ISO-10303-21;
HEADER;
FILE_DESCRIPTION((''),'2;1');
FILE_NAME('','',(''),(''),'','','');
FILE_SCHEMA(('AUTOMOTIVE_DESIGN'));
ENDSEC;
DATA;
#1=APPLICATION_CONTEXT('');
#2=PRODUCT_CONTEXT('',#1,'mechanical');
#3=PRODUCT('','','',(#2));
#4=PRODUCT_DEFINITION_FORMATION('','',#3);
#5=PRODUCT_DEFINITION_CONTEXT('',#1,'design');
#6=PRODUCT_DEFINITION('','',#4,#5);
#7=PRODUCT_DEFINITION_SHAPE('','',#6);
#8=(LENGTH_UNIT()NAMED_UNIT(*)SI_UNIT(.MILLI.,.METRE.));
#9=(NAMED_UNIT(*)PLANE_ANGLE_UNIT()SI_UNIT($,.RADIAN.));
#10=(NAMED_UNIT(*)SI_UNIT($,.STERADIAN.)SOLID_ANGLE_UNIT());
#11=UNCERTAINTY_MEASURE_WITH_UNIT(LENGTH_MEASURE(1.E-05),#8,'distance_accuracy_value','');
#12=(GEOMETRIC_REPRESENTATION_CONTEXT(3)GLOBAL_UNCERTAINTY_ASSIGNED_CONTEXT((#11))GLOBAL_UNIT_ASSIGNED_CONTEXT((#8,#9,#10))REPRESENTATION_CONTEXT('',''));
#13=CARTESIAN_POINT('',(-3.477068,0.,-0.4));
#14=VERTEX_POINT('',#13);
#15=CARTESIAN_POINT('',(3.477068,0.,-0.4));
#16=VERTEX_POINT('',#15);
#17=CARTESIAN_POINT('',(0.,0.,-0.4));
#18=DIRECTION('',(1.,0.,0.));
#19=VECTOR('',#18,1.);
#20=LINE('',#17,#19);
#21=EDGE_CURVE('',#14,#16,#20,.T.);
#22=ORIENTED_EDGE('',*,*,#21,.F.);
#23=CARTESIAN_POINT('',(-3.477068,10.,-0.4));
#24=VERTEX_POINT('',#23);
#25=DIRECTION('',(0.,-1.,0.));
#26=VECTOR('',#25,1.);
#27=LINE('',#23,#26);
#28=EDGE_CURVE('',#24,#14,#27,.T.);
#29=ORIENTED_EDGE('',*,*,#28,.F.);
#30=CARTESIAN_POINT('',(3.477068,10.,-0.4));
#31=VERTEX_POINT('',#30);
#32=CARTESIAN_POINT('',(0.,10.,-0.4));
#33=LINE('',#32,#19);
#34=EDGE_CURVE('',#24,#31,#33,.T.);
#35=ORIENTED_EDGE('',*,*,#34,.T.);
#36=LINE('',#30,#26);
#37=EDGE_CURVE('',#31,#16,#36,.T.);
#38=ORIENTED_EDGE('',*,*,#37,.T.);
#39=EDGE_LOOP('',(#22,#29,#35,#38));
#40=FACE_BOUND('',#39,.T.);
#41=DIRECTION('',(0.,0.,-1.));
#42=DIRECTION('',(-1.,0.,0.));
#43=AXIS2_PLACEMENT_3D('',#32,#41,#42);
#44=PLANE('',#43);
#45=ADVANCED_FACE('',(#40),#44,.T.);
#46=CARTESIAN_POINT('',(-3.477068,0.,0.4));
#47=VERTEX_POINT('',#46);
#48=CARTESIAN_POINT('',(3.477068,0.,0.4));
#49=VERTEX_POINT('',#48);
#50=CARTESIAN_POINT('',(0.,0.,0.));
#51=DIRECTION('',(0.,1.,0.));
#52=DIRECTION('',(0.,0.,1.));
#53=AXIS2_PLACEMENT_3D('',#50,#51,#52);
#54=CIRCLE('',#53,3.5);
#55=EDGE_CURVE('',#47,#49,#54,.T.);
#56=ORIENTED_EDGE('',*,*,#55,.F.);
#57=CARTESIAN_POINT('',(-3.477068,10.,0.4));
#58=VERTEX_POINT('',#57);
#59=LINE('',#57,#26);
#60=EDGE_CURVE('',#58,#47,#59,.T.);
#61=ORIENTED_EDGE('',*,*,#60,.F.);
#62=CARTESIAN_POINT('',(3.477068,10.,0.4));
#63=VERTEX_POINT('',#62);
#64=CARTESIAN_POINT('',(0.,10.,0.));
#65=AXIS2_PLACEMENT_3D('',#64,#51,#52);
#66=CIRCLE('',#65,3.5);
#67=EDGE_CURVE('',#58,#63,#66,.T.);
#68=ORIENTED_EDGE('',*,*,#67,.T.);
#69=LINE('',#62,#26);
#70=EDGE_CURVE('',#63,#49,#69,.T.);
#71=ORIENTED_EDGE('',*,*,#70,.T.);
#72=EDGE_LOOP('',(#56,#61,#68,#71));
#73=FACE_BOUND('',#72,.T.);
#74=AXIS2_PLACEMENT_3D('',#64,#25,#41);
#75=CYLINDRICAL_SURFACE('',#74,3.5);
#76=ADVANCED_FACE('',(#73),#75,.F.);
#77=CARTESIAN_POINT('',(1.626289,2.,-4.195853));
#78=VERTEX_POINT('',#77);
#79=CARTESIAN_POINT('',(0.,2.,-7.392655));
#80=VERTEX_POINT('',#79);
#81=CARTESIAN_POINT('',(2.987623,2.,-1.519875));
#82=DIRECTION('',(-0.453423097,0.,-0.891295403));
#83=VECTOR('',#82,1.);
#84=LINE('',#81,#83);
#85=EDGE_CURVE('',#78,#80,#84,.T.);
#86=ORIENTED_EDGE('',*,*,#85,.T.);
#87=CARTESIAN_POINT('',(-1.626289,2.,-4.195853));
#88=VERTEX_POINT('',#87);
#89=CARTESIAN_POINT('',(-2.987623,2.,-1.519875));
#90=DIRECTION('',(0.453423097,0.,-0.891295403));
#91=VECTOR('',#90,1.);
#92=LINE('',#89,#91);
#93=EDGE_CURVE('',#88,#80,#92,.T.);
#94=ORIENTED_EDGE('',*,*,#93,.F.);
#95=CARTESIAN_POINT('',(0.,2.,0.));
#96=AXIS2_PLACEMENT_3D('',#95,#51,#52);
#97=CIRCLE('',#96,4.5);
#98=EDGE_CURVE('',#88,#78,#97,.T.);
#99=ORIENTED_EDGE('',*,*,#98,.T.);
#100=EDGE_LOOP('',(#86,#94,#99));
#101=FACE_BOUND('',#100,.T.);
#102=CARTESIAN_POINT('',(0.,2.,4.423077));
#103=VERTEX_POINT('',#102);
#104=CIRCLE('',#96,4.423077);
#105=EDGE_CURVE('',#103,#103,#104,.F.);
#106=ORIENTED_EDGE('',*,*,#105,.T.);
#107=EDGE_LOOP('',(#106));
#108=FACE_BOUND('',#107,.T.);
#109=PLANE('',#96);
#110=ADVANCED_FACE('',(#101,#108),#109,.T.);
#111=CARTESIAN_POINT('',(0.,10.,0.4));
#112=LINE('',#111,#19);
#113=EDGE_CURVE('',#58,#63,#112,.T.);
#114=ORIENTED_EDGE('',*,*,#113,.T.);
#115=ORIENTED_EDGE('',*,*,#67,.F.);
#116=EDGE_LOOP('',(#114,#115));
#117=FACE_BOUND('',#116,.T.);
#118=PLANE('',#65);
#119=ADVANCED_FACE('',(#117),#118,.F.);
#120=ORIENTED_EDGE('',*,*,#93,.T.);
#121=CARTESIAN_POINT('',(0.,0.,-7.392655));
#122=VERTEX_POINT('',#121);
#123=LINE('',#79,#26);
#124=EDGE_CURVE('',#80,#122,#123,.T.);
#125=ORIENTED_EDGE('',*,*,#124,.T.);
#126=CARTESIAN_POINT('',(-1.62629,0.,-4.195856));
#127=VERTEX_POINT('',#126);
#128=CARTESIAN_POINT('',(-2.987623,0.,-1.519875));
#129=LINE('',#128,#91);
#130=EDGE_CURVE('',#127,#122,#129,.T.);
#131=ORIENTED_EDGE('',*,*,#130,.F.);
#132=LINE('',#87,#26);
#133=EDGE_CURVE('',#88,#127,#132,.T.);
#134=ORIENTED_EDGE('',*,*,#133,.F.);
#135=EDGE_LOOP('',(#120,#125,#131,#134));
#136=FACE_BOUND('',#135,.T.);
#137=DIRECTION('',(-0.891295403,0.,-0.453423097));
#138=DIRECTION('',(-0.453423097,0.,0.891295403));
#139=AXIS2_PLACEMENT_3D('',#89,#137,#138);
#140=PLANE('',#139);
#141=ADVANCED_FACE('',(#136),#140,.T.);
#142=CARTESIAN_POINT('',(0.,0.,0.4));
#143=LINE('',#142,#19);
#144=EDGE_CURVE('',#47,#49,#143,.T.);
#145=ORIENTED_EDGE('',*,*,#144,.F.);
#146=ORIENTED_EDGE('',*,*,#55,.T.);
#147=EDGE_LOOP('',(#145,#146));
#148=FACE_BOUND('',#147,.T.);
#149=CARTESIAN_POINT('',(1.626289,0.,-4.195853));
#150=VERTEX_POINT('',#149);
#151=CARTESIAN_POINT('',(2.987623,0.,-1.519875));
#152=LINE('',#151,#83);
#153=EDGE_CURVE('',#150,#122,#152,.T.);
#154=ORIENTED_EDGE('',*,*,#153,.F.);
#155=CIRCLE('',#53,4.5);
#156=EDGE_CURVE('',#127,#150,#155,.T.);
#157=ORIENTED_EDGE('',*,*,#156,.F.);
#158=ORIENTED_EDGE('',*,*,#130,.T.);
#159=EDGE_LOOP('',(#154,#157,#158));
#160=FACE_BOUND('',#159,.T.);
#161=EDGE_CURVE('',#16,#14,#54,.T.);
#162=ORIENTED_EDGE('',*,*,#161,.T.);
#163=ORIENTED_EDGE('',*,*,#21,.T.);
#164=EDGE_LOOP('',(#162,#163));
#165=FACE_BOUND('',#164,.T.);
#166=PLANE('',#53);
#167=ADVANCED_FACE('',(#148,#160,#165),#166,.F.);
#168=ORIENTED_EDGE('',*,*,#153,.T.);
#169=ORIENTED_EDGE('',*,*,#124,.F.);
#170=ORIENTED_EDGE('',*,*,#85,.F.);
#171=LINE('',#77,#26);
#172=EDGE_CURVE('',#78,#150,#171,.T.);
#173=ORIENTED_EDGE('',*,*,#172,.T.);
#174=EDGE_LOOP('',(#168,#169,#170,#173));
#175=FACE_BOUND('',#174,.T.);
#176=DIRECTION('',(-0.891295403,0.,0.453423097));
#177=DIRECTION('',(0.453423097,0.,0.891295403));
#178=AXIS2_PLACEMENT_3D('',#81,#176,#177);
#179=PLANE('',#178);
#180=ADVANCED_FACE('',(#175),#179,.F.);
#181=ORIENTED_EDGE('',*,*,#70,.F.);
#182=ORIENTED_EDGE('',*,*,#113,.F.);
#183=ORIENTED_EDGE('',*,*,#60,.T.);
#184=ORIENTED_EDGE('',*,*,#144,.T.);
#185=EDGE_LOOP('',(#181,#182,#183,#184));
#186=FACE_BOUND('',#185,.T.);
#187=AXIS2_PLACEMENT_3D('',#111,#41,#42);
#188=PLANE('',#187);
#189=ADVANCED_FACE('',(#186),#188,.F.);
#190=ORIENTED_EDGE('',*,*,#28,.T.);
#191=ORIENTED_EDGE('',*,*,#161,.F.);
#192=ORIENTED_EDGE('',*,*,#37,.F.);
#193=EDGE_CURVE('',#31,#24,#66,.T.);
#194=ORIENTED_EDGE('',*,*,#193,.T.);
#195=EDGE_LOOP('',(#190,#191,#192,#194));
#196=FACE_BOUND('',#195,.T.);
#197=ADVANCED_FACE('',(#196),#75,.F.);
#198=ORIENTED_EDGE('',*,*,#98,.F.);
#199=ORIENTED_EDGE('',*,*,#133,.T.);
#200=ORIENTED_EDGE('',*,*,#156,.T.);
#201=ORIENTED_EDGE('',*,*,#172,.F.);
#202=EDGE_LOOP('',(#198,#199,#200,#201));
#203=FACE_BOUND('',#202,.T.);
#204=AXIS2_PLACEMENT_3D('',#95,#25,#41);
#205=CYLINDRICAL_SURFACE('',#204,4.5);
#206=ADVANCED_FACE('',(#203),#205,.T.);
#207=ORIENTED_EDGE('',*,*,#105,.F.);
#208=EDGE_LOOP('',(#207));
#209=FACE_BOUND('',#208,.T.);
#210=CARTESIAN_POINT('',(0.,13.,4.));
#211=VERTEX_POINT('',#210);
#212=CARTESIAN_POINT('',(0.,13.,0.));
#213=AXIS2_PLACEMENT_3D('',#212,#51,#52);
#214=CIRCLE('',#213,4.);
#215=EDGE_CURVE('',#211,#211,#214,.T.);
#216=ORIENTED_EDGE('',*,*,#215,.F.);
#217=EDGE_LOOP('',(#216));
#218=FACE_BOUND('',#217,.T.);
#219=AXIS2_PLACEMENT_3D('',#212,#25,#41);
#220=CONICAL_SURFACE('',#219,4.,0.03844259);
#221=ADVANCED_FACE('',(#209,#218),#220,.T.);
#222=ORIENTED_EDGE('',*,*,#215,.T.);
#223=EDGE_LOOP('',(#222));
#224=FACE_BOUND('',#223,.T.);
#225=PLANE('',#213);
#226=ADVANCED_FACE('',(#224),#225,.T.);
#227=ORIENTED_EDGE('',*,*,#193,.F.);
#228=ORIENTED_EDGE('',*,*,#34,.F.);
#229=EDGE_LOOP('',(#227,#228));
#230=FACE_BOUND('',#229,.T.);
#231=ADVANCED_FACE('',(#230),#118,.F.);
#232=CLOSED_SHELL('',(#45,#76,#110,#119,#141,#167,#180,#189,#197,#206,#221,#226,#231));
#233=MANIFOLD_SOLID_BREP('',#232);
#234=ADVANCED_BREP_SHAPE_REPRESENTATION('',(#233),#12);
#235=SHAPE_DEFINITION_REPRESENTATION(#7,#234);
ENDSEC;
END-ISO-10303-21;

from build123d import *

# Parameters (mm, degrees)
SKETCH2_R           = 4
SKETCH1_R           = 4.5
SKETCH1_35_R        = 3.5
BOSS_EXTRUDE1_DEPTH = 2
CUT_EXTRUDE1_DEPTH  = 10


with BuildPart() as part:
    # Sketch2 → Loft1 section 0
    with BuildSketch(Plane(origin=(0, 13, 0), x_dir=(1, 0, 0), z_dir=(0, 1, 0))):
        Circle(SKETCH2_R)
    # Sketch1 → Loft1 section 1
    with BuildSketch(Plane(origin=(0, 0, 0), x_dir=(1, 0, 0), z_dir=(0, 1, 0))):
        Circle(SKETCH1_R)
    loft()

    # Sketch1<35> → Boss-Extrude1 (add)
    with BuildSketch(Plane(origin=(0, 0, 0), x_dir=(1, 0, 0), z_dir=(0, 1, 0))):
        with BuildLine():
            Line((0, 7.392655237), (-1.626288958, 4.195853218))
            ThreePointArc((-1.626288958, 4.195853218), (0, -4.5), (1.626288958, 4.195853218))
            Line((1.626288958, 4.195853218), (0, 7.392655237))
        make_face()
        Circle(SKETCH1_35_R, mode=Mode.SUBTRACT)
    extrude(amount=BOSS_EXTRUDE1_DEPTH)

    # Sketch1<36> → Cut-Extrude1 (cut)
    with BuildSketch(Plane(origin=(0, 0, 0), x_dir=(1, 0, 0), z_dir=(0, 1, 0))):
        with BuildLine():
            ThreePointArc((3.47706773, 0.4), (0, 3.5), (-3.47706773, 0.4))
            Line((-3.47706773, 0.4), (3.47706773, 0.4))
        make_face()
        with BuildLine():
            Line((3.47706773, -0.4), (-3.47706773, -0.4))
            ThreePointArc((-3.47706773, -0.4), (0, -3.5), (3.47706773, -0.4))
        make_face()
    extrude(amount=CUT_EXTRUDE1_DEPTH, mode=Mode.SUBTRACT)


solid = part.part
